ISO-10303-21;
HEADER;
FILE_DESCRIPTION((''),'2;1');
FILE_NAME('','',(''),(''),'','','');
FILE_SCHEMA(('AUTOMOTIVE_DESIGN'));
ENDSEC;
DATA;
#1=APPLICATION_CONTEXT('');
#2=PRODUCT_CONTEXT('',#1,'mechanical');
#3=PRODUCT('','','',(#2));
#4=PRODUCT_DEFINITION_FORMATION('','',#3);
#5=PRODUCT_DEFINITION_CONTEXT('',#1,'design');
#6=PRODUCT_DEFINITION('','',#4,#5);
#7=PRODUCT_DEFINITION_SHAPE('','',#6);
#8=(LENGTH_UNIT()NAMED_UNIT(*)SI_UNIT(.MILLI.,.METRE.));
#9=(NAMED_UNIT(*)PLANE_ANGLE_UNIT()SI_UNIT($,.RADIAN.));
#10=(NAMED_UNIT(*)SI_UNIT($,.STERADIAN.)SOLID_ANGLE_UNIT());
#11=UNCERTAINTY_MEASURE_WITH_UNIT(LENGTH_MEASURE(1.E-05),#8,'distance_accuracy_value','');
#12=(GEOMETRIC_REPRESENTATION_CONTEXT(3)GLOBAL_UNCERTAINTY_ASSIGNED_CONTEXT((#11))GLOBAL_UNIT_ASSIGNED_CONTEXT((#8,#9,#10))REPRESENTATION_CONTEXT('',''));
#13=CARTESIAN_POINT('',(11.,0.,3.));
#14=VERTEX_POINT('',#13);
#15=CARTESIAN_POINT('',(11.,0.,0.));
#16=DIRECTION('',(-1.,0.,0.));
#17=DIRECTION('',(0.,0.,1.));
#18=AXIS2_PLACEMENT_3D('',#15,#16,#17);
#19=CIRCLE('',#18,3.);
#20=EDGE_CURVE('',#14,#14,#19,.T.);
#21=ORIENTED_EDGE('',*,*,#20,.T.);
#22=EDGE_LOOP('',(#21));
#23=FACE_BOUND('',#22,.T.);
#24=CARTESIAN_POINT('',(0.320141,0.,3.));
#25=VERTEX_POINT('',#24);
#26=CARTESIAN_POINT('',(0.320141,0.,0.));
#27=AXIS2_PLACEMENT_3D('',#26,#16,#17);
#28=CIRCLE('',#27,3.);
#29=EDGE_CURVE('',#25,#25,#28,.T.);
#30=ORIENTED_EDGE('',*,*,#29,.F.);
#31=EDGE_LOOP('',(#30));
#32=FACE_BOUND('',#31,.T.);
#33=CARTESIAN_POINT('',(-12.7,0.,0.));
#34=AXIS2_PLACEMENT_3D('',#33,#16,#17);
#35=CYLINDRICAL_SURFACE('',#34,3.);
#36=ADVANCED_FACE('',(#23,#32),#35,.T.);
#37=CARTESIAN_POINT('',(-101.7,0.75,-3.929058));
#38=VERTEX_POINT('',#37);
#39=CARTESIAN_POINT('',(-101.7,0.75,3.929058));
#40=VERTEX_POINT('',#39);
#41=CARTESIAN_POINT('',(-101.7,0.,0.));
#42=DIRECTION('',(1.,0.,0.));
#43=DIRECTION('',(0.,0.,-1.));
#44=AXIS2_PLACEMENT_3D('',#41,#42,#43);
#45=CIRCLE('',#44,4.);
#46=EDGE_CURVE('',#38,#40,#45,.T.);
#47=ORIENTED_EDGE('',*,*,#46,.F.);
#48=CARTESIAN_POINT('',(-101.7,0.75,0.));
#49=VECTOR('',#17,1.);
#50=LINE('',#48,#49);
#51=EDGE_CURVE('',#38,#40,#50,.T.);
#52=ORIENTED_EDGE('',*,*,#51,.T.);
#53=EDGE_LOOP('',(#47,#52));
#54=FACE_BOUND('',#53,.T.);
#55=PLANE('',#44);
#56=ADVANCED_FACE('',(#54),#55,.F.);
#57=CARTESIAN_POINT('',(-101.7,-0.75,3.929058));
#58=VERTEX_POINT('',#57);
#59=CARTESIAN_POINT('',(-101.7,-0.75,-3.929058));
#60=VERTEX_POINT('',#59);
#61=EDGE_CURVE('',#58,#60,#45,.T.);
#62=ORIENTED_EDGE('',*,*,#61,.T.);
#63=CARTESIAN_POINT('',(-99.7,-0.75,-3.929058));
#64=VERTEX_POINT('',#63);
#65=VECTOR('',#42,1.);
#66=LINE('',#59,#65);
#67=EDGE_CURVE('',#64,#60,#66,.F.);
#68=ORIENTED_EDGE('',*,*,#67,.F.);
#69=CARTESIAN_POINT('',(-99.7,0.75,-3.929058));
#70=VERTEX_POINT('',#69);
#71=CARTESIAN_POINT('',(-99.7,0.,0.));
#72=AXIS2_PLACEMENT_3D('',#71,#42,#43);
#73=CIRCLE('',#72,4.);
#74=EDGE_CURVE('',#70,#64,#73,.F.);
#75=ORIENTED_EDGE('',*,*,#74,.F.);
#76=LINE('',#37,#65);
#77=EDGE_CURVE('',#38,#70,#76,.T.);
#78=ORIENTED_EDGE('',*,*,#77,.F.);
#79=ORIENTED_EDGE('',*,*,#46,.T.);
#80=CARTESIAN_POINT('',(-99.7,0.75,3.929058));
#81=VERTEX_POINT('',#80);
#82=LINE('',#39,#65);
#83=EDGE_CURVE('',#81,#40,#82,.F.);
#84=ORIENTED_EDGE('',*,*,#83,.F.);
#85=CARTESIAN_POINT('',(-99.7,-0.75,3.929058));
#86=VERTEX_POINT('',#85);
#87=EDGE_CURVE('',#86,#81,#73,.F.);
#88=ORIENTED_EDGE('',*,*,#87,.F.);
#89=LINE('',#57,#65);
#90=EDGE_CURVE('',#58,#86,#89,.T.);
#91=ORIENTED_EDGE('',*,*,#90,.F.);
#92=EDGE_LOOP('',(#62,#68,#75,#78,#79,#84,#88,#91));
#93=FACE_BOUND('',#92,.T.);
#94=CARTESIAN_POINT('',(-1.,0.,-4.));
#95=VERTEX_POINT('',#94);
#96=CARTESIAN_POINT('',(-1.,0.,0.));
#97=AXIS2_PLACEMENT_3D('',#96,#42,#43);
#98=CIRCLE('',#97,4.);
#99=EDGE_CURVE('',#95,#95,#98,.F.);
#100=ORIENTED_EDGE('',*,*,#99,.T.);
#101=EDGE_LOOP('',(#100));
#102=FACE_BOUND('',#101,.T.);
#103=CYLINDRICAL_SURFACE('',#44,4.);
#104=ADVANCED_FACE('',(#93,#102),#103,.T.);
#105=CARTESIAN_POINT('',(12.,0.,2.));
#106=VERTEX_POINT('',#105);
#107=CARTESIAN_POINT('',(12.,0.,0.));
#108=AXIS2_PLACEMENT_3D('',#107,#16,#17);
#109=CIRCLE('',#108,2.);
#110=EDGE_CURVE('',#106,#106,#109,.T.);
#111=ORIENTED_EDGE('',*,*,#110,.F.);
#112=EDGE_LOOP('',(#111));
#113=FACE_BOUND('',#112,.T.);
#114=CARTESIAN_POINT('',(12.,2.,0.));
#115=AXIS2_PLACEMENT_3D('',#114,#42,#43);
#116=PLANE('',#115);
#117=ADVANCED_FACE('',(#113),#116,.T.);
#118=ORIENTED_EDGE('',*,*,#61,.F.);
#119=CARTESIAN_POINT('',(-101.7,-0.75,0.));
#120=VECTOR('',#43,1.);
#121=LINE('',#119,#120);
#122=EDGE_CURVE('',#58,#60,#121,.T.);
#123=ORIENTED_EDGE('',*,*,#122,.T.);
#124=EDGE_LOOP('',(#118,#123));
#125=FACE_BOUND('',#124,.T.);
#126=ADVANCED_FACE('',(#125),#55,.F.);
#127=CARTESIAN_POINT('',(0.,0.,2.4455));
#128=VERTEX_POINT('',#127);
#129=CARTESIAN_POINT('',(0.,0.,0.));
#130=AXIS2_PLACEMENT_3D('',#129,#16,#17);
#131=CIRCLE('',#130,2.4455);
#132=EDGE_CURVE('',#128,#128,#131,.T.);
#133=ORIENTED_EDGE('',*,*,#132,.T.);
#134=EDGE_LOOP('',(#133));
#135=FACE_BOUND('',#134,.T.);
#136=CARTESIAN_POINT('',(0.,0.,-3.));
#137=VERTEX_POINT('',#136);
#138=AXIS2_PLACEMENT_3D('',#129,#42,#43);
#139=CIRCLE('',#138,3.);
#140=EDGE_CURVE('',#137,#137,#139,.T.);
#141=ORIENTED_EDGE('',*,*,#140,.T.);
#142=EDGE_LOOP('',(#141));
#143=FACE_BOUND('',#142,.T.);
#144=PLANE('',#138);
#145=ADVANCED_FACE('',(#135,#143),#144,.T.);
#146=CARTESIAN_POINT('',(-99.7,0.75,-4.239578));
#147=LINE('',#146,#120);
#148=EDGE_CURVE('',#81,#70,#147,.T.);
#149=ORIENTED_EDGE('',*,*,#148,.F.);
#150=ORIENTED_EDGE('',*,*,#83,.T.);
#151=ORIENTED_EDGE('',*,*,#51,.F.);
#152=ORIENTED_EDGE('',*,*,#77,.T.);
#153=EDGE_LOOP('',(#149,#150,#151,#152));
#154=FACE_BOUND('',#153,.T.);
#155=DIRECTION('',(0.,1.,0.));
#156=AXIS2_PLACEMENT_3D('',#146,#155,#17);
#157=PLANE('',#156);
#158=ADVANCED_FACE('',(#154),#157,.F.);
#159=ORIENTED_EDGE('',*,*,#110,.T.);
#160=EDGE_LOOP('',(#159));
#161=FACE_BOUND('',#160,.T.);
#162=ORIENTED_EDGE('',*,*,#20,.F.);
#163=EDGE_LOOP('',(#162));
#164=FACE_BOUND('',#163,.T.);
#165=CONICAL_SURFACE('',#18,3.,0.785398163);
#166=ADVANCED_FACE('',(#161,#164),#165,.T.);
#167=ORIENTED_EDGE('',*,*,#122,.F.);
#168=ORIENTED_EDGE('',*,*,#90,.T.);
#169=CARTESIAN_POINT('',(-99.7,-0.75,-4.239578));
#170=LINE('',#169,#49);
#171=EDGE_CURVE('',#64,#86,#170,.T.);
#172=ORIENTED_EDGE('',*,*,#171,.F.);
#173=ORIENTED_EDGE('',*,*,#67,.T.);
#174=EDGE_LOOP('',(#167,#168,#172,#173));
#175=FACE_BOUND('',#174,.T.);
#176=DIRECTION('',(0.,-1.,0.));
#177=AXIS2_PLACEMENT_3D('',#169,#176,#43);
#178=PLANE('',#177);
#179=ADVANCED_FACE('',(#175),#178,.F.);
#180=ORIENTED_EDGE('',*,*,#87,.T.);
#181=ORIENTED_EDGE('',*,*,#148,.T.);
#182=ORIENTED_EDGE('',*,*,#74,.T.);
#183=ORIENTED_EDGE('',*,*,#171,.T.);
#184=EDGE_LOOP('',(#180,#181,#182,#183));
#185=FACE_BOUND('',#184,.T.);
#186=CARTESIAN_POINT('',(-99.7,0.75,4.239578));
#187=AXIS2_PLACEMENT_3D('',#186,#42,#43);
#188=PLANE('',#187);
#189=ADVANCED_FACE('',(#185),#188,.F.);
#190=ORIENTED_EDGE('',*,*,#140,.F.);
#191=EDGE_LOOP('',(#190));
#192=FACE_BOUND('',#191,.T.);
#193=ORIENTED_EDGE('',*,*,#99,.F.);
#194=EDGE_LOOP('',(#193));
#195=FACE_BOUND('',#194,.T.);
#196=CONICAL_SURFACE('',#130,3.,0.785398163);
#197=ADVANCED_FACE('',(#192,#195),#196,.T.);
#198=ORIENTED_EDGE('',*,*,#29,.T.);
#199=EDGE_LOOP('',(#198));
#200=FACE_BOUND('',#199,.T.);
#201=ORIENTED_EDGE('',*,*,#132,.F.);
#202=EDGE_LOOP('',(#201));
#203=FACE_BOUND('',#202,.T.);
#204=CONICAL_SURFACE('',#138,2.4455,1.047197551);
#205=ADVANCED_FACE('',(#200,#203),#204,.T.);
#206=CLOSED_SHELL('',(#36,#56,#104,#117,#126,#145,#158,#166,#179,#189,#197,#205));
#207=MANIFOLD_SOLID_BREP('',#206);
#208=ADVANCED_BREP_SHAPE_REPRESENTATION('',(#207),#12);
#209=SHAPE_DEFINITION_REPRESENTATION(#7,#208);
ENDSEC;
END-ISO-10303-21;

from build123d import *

# Parameters (mm, degrees)
ESBO_O1_R                = 4
RESSALTO_EXTRUS_O1_DEPTH = 101.7
CHANFRO1_SIZE            = 1
ESBO_O2_W                = 8.479156614
ESBO_O2_H                = 1.5
CORTE_EXTRUS_O1_DEPTH    = 2


with BuildPart() as part:
    # BodySke → BaseBody (revolve)
    with BuildSketch(Plane.XY, mode=Mode.PRIVATE) as basebody_sk:
        Polygon((0, 0), (0, 2.4455), (0.320140724, 3), (11, 3), (12, 2), (12, 0), align=None)
    revolve(basebody_sk.sketch.rotate(Axis((-12.7, 0, 0), (1, 0, 0)), 90), axis=Axis((-12.7, 0, 0), (1, 0, 0)))

    # Esboço1 → Ressalto-extrusão1 (add)
    with BuildSketch(Plane(origin=(0, 0, 0), x_dir=(0, 0, -1), z_dir=(1, 0, 0))):
        Circle(ESBO_O1_R)
    extrude(amount=-RESSALTO_EXTRUS_O1_DEPTH)

    # Chanfro1
    chanfro1_edges = [part.edges().sort_by_distance(p)[0] for p in [
        (0, 0, 4),
    ]]
    chamfer(chanfro1_edges, length=CHANFRO1_SIZE)

    # Esboço2 → Corte-extrusão1 (cut)
    with BuildSketch(Plane.ZY.offset(101.7)):
        Rectangle(ESBO_O2_W, ESBO_O2_H)
    extrude(amount=-CORTE_EXTRUS_O1_DEPTH, mode=Mode.SUBTRACT)


solid = part.part
